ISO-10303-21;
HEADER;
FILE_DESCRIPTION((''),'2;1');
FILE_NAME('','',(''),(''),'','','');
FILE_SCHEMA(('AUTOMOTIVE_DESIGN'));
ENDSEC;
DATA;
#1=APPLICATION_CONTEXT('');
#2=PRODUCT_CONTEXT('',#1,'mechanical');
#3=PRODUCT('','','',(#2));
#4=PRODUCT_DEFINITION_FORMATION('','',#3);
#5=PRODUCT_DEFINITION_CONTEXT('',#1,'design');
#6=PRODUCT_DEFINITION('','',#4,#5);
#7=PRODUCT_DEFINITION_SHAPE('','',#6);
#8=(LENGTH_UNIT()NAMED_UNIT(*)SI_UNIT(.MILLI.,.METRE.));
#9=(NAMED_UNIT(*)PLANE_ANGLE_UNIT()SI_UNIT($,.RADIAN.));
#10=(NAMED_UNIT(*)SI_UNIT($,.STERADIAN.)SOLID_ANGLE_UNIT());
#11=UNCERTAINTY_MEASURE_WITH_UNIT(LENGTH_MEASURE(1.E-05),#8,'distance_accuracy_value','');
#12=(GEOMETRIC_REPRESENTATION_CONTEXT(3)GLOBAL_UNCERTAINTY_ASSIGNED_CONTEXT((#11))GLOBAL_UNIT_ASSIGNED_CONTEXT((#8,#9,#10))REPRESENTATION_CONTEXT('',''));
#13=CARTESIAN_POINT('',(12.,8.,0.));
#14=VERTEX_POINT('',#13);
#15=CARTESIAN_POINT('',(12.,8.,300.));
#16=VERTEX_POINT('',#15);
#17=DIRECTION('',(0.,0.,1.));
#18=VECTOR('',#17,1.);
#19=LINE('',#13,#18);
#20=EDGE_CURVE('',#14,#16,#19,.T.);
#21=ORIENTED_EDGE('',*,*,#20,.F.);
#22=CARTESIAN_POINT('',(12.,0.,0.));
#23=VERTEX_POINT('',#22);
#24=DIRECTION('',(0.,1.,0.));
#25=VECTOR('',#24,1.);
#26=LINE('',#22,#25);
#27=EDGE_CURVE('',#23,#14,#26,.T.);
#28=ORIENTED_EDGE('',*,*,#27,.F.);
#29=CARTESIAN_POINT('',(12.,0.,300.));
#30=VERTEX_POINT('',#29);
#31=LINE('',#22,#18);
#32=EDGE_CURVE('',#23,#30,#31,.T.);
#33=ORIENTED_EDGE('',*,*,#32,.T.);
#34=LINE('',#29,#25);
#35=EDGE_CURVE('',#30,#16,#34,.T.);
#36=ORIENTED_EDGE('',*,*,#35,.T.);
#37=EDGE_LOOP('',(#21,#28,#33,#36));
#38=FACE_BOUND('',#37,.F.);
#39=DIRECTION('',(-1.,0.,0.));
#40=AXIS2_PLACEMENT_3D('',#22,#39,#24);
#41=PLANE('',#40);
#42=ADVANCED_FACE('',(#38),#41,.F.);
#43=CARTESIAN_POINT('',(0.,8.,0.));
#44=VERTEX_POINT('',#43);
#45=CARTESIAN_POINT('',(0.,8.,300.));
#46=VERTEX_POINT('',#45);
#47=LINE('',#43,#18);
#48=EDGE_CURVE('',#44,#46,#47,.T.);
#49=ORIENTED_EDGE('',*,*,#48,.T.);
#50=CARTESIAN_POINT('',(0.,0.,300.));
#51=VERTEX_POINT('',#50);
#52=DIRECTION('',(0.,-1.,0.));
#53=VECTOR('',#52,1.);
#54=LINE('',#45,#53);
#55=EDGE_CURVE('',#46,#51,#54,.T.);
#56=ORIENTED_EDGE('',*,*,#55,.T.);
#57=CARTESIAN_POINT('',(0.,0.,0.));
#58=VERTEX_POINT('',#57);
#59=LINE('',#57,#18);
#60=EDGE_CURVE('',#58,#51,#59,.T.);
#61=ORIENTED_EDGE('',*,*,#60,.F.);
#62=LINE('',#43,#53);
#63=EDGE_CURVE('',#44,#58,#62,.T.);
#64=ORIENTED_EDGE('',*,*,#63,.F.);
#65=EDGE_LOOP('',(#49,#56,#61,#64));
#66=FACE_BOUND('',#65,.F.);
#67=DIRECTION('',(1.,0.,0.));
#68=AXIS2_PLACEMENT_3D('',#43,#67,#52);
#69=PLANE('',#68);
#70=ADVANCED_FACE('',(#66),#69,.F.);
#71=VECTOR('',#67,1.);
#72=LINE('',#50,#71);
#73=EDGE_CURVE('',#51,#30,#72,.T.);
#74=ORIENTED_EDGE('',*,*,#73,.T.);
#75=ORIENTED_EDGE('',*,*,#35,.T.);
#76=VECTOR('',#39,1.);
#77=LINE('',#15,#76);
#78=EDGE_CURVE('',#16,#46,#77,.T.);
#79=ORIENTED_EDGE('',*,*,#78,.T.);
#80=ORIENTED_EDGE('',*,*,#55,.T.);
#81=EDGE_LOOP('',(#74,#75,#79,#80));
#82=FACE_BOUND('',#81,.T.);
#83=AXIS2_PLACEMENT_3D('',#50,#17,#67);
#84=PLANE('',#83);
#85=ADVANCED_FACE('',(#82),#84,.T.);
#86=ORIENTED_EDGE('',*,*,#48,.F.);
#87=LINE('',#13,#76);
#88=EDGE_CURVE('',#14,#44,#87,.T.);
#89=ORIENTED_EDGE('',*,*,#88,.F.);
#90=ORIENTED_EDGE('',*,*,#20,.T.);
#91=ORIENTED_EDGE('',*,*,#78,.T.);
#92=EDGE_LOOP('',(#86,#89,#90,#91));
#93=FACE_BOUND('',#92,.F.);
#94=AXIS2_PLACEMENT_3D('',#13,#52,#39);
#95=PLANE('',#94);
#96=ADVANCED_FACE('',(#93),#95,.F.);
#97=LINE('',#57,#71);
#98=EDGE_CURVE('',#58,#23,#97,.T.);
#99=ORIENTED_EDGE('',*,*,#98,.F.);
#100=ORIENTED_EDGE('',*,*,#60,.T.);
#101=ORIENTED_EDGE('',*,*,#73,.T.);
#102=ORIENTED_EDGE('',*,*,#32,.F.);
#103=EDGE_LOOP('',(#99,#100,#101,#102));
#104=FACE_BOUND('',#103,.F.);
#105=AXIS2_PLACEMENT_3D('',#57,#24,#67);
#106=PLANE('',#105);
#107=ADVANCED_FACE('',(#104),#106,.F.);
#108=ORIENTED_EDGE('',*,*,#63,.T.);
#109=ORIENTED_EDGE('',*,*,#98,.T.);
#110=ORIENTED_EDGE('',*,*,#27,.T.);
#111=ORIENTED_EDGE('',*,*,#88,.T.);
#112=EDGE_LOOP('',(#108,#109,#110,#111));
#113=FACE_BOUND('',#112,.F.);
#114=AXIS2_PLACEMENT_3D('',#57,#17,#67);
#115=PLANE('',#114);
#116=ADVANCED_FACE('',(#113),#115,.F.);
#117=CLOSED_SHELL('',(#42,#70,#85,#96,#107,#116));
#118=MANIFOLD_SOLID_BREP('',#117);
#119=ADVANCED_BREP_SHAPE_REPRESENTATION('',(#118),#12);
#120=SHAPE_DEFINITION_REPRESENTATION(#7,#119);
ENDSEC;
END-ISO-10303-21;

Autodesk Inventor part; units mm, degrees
ref_plane "YZ Plane" through (0, 0, 0) normal (1, 0, 0) x (0, 1, 0)
ref_plane "XZ Plane" through (0, 0, 0) normal (0, 1, 0) x (-1, 0, 0)
ref_plane "XY Plane" through (0, 0, 0) normal (0, 0, 1) x (1, 0, 0)
sketch "Sketch3" plane through (0, 0, 0) normal (0, 0, 1) x (1, 0, 0)
  line L0 (0, 0) -> (12, 0)
  line L1 (12, 0) -> (12, 8)
  line L2 (12, 8) -> (0, 8)
  line L3 (0, 8) -> (0, 0)
  dimension "d0" = 12
  dimension "d1" = 8
extrude "Extrusion1" add sketch "Sketch3" along normal blind 300
equation "\"d0\" = rail_width"
equation "\"d1\" = rail_height"
equation "\"d2\" = rail_length"
equation "\"base_thickness\" = 12.7"
equation "\"top_sheet_thickness\" = 6.35"
equation "\"rail_width\" = 12"
equation "\"rail_height\" = 8"
equation "\"rail_length\" = 300"
properties part number "Rail"
